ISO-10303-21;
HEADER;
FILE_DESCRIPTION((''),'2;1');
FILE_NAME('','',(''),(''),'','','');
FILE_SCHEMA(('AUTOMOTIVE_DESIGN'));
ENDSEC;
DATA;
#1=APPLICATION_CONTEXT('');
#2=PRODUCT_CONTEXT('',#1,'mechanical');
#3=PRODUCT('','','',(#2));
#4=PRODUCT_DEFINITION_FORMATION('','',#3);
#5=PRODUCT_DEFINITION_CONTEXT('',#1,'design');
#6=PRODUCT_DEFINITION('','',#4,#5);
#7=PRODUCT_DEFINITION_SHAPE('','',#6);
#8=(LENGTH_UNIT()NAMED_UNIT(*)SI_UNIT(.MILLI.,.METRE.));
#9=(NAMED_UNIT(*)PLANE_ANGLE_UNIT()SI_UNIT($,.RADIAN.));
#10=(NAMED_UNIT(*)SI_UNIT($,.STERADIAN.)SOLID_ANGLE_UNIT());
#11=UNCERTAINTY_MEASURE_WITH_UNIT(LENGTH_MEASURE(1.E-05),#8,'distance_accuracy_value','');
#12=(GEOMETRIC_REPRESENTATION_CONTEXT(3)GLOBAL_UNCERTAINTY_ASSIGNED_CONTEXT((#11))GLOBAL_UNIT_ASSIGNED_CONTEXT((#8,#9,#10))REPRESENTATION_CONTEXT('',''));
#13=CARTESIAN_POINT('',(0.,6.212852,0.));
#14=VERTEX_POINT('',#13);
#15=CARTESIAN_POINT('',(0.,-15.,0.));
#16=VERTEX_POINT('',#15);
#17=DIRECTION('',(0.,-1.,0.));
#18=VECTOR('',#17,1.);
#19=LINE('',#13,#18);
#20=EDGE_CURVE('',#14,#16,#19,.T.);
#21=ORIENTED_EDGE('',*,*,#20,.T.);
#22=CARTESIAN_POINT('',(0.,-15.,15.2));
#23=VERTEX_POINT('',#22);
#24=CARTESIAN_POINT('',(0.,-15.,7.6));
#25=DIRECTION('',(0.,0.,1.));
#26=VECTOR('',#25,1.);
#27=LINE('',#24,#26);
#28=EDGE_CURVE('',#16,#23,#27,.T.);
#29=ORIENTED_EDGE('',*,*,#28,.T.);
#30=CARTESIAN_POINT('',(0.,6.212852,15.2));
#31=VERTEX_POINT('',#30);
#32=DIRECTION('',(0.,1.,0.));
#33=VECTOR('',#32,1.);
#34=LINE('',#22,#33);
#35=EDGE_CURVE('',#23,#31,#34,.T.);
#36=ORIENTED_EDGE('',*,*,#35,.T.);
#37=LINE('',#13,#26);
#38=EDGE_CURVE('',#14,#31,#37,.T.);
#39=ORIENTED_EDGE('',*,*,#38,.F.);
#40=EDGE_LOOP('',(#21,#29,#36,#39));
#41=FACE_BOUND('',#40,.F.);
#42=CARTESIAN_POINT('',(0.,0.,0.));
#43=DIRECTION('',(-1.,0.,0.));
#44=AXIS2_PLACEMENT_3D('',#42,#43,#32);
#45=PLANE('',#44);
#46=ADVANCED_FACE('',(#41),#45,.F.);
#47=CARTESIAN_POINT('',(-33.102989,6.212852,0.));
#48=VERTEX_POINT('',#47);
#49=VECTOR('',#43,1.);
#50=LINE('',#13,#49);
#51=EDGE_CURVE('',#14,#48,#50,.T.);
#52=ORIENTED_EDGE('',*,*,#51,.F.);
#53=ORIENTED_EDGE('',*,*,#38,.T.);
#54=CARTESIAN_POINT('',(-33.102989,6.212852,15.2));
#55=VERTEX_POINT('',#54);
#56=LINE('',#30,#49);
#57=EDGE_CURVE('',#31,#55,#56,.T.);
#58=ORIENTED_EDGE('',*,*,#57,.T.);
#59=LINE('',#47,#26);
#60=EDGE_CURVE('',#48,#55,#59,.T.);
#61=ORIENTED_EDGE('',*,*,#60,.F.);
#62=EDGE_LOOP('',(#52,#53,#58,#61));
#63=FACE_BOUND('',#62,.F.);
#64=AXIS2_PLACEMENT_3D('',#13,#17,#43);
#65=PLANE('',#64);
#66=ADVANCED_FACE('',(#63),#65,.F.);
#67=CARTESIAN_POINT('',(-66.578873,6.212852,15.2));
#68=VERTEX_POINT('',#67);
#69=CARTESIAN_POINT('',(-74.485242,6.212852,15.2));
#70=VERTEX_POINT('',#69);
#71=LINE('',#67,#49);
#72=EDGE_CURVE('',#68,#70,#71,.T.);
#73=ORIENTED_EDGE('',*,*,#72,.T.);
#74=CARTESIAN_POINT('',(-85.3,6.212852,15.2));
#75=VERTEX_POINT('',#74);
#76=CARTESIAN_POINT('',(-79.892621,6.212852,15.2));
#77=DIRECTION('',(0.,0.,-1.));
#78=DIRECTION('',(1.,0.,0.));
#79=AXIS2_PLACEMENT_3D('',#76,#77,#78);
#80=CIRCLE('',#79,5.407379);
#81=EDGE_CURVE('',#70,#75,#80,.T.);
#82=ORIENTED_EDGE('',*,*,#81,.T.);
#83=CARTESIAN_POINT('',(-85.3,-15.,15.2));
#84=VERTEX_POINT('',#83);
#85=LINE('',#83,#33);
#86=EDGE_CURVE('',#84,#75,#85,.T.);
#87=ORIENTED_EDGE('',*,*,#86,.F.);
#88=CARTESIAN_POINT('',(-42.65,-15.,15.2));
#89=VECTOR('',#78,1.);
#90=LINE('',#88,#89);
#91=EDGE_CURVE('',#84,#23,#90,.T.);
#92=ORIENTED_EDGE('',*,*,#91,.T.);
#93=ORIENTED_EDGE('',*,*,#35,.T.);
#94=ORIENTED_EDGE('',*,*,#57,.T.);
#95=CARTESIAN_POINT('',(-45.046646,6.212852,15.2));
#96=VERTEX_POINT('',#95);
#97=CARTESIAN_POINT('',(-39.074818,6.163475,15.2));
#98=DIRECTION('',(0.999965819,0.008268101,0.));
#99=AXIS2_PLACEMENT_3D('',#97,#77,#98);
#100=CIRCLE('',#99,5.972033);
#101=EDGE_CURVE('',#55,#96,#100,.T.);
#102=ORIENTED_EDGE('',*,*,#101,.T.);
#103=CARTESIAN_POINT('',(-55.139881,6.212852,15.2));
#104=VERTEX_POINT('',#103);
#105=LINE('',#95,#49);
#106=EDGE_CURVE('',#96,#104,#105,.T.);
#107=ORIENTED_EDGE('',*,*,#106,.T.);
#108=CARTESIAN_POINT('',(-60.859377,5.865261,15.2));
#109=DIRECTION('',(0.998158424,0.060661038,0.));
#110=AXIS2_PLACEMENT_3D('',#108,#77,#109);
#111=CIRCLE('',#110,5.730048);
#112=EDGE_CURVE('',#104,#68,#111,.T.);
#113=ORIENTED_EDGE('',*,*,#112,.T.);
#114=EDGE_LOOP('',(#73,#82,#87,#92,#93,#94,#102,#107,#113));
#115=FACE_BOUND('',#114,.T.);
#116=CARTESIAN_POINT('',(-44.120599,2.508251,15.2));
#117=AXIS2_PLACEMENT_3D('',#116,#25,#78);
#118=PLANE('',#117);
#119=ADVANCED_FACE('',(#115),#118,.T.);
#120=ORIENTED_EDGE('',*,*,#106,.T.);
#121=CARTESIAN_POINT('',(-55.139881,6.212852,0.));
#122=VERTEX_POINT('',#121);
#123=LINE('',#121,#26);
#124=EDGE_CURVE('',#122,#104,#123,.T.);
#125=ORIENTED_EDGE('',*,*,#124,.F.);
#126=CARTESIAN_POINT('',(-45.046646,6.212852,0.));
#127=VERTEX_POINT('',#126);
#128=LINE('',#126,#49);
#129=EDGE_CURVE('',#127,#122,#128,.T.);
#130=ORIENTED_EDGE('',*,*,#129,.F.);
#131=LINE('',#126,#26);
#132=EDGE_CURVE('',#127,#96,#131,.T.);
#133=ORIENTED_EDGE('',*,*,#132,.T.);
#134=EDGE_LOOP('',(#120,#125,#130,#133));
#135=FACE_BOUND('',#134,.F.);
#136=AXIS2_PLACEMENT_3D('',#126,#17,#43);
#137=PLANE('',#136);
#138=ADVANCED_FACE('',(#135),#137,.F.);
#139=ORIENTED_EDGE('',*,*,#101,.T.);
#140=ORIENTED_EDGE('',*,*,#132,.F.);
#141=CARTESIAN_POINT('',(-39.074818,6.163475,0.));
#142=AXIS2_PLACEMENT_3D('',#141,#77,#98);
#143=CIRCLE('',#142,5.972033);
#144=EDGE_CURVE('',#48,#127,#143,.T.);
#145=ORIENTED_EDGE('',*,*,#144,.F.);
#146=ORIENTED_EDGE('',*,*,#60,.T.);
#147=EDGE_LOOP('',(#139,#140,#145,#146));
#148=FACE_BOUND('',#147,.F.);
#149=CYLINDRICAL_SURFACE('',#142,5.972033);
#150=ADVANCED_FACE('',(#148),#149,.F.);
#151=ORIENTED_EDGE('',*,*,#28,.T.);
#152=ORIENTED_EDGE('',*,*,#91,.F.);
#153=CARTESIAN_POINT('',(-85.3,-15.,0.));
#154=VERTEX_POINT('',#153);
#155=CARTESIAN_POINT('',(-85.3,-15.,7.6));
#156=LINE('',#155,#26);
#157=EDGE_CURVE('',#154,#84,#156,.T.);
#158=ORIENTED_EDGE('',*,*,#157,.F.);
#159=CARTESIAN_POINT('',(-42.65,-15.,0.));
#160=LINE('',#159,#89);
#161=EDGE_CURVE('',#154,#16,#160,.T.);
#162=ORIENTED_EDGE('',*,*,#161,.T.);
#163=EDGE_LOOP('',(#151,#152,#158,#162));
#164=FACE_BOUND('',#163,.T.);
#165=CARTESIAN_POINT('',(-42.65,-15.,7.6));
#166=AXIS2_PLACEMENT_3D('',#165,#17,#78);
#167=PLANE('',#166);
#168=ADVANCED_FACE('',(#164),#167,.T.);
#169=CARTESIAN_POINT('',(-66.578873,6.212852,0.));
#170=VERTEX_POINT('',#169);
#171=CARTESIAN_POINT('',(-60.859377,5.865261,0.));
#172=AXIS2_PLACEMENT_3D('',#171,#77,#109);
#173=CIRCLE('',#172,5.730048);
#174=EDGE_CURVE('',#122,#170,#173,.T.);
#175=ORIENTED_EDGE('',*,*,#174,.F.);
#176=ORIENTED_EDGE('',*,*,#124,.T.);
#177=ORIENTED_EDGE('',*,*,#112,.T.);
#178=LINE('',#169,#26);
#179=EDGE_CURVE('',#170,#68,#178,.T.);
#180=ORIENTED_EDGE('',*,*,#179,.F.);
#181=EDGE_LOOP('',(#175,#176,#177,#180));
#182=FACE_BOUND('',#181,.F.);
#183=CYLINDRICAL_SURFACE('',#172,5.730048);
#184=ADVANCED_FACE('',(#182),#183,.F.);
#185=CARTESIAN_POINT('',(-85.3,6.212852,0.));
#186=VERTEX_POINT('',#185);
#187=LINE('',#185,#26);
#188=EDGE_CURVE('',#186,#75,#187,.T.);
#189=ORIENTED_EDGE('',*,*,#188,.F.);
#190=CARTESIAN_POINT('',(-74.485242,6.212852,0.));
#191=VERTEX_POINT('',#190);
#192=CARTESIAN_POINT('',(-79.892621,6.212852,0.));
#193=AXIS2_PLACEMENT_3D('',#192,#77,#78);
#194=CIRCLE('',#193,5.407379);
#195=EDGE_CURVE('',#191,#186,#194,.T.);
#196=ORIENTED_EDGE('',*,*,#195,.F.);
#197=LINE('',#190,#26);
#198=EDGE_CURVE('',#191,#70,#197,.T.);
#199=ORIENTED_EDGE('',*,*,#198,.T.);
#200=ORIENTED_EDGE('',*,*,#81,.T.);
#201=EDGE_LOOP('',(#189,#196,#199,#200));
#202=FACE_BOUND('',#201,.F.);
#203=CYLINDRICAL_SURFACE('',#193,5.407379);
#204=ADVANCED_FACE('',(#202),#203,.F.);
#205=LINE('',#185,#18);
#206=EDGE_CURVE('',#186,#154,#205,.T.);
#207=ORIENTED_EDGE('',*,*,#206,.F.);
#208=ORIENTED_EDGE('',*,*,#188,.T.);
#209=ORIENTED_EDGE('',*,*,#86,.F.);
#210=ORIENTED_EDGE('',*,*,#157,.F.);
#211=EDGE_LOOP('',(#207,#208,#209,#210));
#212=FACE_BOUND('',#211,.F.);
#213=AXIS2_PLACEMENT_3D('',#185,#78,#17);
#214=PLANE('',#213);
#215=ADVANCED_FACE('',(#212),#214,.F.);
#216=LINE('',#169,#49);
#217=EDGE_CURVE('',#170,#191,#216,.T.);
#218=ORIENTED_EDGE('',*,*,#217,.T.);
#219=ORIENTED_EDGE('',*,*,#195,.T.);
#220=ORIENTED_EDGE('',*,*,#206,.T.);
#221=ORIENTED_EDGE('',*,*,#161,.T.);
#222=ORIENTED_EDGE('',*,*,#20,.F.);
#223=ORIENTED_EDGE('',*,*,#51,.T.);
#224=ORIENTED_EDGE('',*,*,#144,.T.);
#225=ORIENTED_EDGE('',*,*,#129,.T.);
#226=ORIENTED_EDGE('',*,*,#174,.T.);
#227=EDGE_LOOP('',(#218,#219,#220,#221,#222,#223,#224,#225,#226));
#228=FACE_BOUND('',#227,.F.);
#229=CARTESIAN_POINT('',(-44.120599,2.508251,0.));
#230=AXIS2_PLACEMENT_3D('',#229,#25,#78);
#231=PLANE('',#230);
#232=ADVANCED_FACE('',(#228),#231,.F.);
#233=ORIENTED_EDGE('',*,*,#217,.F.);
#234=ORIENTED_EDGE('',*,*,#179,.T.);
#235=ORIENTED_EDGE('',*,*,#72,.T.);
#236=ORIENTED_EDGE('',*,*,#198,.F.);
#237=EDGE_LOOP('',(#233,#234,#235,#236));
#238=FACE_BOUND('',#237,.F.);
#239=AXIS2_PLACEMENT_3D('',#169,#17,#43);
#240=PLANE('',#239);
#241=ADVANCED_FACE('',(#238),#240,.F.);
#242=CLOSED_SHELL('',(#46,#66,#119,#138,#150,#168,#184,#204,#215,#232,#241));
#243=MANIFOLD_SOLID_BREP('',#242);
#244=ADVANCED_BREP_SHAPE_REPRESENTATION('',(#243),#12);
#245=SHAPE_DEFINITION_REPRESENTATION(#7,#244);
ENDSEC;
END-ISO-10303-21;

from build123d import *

# Parameters (mm, degrees)
F0_W     = 85.3
F0_H     = 15.2
F1_DEPTH = 15
F3_DEPTH = 15.2


with BuildPart() as f1:
    # F0 (on Front) → F1 (new body)
    with BuildSketch(Plane.XZ):
        with Locations((-42.65, 7.6)):
            Rectangle(F0_W, F0_H)
    extrude(amount=F1_DEPTH)

    # F2 (on Top) → F3 (join)
    with BuildSketch(Plane.XY):
        with BuildLine():
            Line((-85.3, 6.212852), (-85.3, 0))
            Line((-85.3, 0), (0, 0))
            Line((0, 0), (0, 6.212852))
            Line((0, 6.212852), (-33.102989, 6.212852))
            ThreePointArc((-33.102989, 6.212852), (-39.074818, 0.191442), (-45.046646, 6.212852))
            Line((-45.046646, 6.212852), (-55.139881, 6.212852))
            ThreePointArc((-55.139881, 6.212852), (-60.859377, 0.135213), (-66.578873, 6.212852))
            Line((-66.578873, 6.212852), (-74.485242, 6.212852))
            ThreePointArc((-74.485242, 6.212852), (-79.892621, 0.805473), (-85.3, 6.212852))
        make_face()
    extrude(amount=F3_DEPTH)


solid = f1.part
